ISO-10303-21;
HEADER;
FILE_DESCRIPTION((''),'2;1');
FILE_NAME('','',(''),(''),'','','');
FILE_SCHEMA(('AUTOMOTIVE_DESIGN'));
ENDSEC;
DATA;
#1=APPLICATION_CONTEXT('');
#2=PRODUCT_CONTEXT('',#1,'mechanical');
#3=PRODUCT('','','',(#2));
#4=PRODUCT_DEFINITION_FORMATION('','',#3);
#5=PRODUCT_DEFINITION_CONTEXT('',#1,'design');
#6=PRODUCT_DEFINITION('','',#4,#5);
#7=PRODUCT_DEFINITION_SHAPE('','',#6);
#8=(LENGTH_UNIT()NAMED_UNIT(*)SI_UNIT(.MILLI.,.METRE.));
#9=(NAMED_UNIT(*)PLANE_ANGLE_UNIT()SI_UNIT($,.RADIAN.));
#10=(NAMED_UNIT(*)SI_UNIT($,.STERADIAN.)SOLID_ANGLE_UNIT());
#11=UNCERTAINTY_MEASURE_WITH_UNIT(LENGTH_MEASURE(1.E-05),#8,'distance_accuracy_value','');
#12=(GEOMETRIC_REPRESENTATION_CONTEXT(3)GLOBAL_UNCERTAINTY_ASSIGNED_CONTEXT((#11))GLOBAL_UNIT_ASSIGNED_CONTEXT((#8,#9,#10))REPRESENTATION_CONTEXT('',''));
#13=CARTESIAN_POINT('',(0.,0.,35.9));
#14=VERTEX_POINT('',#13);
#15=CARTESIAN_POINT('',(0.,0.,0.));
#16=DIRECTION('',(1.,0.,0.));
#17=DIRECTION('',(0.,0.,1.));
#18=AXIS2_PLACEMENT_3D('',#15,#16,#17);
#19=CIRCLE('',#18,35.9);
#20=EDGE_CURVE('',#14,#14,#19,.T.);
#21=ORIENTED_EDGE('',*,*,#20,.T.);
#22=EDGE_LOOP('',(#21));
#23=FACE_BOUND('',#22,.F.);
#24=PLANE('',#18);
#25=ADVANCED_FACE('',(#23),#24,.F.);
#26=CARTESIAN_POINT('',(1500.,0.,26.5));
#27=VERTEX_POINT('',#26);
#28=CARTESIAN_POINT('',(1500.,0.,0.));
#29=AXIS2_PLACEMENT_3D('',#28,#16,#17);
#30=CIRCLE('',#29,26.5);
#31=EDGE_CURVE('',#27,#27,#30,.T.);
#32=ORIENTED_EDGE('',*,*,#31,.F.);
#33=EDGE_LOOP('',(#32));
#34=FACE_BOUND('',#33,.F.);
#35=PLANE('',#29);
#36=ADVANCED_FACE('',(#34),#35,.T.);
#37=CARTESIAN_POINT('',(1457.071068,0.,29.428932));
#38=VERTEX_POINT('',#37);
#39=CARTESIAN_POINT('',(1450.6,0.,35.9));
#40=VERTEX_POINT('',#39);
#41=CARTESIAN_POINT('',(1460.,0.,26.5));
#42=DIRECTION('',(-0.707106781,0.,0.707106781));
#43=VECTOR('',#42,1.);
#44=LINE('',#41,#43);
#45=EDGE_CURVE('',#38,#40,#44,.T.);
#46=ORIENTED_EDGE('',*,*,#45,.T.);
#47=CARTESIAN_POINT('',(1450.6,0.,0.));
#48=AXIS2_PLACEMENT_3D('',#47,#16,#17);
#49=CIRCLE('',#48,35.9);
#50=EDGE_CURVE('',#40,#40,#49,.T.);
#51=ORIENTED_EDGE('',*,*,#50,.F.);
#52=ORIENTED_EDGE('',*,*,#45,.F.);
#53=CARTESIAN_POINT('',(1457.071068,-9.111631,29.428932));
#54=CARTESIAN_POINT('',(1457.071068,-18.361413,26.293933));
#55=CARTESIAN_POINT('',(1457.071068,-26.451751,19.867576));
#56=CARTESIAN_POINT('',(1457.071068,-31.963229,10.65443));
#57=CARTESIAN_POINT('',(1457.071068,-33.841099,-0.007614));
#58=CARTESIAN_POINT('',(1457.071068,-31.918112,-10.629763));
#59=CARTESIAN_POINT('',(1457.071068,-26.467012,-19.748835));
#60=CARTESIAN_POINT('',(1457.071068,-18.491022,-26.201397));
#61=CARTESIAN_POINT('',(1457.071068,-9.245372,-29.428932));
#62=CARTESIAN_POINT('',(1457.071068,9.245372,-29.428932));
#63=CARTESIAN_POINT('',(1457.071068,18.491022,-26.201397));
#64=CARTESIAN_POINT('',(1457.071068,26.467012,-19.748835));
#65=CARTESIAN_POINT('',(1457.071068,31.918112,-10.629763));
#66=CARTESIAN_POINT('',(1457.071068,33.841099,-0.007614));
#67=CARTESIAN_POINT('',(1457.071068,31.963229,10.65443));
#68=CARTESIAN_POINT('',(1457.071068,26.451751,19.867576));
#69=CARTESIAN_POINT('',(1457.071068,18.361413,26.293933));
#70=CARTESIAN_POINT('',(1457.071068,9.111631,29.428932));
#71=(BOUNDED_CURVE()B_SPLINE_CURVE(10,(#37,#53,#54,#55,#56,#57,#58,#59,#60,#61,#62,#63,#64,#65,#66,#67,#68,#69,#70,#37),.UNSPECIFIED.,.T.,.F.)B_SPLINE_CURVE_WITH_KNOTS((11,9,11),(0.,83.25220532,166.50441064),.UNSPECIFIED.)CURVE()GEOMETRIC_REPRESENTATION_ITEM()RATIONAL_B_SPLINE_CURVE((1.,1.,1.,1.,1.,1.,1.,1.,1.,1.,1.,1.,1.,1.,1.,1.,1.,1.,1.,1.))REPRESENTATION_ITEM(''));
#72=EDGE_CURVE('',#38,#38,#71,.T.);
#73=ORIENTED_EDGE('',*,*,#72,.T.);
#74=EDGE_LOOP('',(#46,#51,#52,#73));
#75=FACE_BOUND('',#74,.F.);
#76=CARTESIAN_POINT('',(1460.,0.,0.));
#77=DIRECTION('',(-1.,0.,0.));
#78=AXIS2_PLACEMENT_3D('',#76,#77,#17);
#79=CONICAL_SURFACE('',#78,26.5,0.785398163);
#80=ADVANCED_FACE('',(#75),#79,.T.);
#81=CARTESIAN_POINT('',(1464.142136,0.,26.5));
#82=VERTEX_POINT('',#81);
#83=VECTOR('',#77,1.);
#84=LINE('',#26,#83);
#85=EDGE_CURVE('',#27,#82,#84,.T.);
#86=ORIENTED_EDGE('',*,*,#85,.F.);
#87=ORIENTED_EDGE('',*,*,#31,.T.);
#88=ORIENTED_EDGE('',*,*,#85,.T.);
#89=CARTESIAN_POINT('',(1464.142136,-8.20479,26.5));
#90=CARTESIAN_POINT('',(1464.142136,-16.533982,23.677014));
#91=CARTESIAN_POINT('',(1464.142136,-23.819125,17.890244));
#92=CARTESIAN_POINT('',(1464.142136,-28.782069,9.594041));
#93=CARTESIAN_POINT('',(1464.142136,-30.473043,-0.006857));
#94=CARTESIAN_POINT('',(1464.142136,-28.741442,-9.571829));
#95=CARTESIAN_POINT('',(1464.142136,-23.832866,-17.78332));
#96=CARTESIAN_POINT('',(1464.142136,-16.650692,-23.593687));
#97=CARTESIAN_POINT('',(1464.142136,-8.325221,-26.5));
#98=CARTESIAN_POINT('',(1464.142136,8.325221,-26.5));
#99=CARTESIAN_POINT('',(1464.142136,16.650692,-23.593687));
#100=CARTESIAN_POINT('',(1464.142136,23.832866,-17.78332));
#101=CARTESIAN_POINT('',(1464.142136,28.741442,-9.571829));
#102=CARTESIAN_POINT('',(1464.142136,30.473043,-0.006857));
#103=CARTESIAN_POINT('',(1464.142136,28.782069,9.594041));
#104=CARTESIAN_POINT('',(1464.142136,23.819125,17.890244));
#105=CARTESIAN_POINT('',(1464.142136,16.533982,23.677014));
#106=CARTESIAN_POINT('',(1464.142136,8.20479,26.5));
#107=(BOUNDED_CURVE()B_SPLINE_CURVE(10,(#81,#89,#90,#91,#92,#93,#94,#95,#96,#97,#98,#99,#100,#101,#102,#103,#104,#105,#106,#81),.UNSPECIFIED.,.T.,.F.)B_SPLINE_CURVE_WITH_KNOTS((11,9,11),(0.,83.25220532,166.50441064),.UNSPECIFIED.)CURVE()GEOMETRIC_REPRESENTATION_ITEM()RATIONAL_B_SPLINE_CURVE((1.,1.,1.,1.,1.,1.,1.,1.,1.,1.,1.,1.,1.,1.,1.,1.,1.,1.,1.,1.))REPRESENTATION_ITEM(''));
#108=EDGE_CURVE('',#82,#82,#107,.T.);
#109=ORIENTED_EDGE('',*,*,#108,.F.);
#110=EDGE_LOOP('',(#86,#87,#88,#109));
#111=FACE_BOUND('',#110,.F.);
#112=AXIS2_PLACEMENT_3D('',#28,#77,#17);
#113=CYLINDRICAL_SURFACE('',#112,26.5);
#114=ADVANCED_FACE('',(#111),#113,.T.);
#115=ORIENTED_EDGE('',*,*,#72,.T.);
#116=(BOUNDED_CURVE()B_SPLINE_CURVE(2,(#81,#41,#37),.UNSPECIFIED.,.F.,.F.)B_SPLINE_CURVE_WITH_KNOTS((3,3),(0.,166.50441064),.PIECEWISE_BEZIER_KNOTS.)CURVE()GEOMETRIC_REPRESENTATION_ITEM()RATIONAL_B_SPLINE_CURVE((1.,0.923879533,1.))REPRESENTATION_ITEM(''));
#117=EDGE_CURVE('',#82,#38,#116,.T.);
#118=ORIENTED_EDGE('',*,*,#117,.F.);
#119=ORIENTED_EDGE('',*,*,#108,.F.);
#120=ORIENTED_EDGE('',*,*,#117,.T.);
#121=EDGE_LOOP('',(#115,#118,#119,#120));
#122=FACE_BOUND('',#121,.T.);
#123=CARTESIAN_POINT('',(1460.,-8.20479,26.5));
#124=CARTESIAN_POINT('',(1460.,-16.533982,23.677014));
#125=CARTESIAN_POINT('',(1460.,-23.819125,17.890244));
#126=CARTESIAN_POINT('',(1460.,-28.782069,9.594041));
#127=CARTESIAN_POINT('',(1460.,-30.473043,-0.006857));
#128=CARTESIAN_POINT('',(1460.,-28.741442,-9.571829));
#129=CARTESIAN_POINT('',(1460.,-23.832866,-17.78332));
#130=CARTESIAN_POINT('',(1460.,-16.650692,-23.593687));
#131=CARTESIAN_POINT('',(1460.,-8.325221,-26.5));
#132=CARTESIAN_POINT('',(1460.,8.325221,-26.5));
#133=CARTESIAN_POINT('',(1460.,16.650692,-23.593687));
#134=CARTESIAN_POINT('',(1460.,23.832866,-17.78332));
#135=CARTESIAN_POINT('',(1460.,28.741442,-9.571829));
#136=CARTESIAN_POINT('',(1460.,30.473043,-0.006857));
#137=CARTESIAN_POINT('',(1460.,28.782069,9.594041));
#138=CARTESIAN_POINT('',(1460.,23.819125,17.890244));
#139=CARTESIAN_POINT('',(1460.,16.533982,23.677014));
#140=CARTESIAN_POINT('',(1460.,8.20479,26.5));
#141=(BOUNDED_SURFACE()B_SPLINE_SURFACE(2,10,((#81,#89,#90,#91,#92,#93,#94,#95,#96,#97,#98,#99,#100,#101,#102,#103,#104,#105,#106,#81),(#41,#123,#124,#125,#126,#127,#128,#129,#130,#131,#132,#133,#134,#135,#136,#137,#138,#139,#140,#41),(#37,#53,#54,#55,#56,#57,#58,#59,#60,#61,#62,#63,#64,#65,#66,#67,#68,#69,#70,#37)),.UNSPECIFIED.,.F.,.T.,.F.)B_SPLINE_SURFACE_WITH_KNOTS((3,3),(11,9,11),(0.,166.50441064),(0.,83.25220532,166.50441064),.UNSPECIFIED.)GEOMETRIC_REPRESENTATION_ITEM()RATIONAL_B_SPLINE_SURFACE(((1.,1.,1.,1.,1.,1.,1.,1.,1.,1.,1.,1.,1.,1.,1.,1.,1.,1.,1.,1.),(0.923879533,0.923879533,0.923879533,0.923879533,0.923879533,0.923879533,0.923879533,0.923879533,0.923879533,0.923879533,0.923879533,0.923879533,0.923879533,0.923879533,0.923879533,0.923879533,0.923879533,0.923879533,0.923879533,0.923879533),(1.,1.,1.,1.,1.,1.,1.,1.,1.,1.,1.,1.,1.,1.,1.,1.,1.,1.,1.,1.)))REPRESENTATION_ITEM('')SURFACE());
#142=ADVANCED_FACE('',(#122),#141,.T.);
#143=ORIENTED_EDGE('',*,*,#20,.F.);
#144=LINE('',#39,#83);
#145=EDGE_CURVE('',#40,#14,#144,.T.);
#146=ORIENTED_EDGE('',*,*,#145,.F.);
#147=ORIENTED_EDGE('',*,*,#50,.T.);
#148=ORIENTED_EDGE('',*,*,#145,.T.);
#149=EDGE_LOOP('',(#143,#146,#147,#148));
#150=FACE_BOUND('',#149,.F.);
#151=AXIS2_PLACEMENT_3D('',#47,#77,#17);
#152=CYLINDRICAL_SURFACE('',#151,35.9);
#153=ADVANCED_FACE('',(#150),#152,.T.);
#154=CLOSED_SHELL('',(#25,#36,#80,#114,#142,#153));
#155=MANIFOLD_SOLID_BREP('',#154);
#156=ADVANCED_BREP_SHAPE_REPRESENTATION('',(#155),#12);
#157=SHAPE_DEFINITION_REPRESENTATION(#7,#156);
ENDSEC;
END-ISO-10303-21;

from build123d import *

# Parameters (mm, degrees)
F2_R = 10


with BuildPart() as f1:
    # F0 (on Front) → F1 (revolve)
    with BuildSketch(Plane.XZ):
        Polygon((1450.6, 35.9), (0, 35.9), (0, 24.07958371), (0, 0), (1500, 0), (1500, 26.5), (1460, 26.5), align=None)
    revolve(axis=Axis((750, 0, 0), (1, 0, 0)))

    # F2
    f2_edges = [f1.edges().sort_by_distance(p)[0] for p in [
        (1460, 0, -26.5),
    ]]
    fillet(f2_edges, radius=F2_R)


solid = f1.part
